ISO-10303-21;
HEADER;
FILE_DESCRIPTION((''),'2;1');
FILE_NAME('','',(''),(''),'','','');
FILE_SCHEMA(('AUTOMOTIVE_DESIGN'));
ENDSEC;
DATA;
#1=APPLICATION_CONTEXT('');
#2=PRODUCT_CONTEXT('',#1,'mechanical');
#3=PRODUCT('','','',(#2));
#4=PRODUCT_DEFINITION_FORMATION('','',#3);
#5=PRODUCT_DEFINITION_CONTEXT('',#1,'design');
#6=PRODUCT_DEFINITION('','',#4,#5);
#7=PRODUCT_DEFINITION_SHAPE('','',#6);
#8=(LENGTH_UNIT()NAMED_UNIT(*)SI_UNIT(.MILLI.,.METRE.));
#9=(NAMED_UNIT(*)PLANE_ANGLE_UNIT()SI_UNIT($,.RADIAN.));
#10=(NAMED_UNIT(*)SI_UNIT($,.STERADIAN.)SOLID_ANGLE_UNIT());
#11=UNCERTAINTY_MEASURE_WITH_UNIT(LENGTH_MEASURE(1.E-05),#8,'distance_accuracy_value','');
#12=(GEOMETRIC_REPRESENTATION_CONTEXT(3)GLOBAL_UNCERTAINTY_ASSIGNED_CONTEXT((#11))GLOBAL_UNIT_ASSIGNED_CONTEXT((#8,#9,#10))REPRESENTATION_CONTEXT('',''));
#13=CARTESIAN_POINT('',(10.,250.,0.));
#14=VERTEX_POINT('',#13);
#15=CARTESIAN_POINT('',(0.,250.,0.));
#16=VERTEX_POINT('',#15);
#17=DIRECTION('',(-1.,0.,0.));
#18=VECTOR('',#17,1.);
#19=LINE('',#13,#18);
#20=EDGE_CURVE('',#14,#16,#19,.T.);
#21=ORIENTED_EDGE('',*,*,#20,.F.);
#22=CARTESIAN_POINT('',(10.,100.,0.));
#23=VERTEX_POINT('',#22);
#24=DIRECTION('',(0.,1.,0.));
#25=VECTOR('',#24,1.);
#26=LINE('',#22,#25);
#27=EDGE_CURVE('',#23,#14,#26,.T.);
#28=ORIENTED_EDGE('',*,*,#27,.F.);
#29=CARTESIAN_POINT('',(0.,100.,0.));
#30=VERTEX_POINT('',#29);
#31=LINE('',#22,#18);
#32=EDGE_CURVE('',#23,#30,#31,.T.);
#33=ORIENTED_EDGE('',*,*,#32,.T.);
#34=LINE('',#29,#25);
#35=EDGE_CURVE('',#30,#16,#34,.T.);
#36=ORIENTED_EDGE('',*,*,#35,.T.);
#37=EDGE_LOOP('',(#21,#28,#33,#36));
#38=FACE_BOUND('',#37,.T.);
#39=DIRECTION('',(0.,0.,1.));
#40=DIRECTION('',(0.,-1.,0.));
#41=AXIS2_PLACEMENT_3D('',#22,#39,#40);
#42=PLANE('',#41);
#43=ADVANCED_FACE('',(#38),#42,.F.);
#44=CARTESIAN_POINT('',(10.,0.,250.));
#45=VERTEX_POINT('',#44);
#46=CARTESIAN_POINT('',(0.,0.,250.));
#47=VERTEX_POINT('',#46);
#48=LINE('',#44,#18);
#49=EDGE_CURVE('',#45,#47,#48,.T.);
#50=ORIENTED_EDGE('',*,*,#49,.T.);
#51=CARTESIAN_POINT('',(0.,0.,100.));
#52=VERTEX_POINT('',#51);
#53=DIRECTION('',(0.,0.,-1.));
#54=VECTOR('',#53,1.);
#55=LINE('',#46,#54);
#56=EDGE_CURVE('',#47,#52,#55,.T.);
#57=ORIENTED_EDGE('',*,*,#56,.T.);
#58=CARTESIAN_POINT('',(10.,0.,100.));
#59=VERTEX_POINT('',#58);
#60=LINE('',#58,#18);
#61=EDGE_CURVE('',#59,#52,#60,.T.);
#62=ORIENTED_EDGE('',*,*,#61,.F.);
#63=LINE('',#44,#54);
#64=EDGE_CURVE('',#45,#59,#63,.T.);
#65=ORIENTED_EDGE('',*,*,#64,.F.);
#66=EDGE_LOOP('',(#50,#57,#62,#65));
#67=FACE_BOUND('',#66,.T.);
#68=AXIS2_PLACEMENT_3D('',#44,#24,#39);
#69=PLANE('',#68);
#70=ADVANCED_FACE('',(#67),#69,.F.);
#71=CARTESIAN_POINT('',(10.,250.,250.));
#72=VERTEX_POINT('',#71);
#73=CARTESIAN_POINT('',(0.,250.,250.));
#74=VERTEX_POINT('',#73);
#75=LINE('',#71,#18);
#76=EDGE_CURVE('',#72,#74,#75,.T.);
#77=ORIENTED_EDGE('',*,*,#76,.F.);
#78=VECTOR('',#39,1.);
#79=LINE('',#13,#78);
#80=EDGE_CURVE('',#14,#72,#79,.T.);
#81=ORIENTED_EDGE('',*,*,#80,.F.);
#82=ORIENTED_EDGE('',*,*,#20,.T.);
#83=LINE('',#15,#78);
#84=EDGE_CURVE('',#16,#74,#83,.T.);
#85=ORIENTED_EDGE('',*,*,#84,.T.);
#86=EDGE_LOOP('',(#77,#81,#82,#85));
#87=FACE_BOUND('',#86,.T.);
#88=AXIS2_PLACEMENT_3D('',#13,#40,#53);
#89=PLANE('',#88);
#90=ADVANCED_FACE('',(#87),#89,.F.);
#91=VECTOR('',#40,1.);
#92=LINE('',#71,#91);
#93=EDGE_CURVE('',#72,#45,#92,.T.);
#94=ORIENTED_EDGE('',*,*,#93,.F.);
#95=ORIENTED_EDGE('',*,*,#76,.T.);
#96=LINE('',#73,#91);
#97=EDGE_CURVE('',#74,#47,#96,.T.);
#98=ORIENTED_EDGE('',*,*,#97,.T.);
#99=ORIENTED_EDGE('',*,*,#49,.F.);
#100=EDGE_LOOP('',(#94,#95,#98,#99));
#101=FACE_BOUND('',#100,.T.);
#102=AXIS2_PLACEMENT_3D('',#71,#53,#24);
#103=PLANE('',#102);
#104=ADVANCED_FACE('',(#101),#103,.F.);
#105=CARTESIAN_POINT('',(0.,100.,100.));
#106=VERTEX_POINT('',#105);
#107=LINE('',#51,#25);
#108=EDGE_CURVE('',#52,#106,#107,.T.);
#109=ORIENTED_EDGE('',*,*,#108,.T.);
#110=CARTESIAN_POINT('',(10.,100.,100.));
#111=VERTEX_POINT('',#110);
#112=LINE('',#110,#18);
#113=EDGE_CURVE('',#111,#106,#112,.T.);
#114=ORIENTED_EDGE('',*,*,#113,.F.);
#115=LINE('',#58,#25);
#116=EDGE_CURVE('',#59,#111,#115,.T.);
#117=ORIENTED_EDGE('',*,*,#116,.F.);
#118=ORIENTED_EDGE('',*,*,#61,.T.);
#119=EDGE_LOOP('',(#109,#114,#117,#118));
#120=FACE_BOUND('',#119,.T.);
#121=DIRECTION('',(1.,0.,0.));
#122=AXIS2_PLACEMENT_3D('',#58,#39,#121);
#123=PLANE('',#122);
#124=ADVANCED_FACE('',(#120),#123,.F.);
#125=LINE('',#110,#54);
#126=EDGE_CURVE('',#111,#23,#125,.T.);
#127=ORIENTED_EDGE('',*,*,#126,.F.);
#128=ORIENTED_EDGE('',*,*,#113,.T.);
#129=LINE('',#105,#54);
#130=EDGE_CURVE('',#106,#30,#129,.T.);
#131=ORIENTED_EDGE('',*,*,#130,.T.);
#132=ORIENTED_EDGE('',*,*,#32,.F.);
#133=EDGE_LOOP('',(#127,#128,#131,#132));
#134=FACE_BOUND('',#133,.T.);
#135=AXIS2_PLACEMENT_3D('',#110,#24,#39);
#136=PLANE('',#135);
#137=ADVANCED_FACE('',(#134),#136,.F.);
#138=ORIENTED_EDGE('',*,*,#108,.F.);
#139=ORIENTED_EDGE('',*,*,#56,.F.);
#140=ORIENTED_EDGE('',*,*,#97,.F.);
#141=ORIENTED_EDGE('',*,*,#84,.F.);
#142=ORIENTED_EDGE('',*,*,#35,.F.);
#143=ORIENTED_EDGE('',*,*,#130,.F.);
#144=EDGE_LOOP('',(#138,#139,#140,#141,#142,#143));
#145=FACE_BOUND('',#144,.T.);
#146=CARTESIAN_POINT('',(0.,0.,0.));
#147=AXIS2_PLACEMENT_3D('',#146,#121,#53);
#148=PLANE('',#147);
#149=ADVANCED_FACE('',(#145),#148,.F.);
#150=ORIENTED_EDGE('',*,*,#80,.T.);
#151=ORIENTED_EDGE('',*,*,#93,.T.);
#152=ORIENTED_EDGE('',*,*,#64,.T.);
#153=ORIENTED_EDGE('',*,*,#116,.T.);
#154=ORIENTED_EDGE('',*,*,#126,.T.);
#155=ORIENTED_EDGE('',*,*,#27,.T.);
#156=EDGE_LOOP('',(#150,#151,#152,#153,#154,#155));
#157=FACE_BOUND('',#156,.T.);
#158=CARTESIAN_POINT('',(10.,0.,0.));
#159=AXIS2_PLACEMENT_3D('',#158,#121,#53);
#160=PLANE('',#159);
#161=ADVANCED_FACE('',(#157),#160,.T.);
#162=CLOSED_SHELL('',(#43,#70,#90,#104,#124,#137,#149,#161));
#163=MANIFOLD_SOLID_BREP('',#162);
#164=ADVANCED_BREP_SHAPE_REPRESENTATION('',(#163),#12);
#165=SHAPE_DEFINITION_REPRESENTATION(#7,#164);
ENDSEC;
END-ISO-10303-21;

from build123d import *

# Parameters (mm, degrees)
BOSS_EXTRUDE1_DEPTH = 10


with BuildPart() as part:
    # Sketch1 → Boss-Extrude1 (new body)
    with BuildSketch(Plane.YZ):
        Polygon((0, 100), (100, 100), (100, 0), (250, 0), (250, 250), (0, 250), align=None)
    extrude(amount=BOSS_EXTRUDE1_DEPTH)


solid = part.part
